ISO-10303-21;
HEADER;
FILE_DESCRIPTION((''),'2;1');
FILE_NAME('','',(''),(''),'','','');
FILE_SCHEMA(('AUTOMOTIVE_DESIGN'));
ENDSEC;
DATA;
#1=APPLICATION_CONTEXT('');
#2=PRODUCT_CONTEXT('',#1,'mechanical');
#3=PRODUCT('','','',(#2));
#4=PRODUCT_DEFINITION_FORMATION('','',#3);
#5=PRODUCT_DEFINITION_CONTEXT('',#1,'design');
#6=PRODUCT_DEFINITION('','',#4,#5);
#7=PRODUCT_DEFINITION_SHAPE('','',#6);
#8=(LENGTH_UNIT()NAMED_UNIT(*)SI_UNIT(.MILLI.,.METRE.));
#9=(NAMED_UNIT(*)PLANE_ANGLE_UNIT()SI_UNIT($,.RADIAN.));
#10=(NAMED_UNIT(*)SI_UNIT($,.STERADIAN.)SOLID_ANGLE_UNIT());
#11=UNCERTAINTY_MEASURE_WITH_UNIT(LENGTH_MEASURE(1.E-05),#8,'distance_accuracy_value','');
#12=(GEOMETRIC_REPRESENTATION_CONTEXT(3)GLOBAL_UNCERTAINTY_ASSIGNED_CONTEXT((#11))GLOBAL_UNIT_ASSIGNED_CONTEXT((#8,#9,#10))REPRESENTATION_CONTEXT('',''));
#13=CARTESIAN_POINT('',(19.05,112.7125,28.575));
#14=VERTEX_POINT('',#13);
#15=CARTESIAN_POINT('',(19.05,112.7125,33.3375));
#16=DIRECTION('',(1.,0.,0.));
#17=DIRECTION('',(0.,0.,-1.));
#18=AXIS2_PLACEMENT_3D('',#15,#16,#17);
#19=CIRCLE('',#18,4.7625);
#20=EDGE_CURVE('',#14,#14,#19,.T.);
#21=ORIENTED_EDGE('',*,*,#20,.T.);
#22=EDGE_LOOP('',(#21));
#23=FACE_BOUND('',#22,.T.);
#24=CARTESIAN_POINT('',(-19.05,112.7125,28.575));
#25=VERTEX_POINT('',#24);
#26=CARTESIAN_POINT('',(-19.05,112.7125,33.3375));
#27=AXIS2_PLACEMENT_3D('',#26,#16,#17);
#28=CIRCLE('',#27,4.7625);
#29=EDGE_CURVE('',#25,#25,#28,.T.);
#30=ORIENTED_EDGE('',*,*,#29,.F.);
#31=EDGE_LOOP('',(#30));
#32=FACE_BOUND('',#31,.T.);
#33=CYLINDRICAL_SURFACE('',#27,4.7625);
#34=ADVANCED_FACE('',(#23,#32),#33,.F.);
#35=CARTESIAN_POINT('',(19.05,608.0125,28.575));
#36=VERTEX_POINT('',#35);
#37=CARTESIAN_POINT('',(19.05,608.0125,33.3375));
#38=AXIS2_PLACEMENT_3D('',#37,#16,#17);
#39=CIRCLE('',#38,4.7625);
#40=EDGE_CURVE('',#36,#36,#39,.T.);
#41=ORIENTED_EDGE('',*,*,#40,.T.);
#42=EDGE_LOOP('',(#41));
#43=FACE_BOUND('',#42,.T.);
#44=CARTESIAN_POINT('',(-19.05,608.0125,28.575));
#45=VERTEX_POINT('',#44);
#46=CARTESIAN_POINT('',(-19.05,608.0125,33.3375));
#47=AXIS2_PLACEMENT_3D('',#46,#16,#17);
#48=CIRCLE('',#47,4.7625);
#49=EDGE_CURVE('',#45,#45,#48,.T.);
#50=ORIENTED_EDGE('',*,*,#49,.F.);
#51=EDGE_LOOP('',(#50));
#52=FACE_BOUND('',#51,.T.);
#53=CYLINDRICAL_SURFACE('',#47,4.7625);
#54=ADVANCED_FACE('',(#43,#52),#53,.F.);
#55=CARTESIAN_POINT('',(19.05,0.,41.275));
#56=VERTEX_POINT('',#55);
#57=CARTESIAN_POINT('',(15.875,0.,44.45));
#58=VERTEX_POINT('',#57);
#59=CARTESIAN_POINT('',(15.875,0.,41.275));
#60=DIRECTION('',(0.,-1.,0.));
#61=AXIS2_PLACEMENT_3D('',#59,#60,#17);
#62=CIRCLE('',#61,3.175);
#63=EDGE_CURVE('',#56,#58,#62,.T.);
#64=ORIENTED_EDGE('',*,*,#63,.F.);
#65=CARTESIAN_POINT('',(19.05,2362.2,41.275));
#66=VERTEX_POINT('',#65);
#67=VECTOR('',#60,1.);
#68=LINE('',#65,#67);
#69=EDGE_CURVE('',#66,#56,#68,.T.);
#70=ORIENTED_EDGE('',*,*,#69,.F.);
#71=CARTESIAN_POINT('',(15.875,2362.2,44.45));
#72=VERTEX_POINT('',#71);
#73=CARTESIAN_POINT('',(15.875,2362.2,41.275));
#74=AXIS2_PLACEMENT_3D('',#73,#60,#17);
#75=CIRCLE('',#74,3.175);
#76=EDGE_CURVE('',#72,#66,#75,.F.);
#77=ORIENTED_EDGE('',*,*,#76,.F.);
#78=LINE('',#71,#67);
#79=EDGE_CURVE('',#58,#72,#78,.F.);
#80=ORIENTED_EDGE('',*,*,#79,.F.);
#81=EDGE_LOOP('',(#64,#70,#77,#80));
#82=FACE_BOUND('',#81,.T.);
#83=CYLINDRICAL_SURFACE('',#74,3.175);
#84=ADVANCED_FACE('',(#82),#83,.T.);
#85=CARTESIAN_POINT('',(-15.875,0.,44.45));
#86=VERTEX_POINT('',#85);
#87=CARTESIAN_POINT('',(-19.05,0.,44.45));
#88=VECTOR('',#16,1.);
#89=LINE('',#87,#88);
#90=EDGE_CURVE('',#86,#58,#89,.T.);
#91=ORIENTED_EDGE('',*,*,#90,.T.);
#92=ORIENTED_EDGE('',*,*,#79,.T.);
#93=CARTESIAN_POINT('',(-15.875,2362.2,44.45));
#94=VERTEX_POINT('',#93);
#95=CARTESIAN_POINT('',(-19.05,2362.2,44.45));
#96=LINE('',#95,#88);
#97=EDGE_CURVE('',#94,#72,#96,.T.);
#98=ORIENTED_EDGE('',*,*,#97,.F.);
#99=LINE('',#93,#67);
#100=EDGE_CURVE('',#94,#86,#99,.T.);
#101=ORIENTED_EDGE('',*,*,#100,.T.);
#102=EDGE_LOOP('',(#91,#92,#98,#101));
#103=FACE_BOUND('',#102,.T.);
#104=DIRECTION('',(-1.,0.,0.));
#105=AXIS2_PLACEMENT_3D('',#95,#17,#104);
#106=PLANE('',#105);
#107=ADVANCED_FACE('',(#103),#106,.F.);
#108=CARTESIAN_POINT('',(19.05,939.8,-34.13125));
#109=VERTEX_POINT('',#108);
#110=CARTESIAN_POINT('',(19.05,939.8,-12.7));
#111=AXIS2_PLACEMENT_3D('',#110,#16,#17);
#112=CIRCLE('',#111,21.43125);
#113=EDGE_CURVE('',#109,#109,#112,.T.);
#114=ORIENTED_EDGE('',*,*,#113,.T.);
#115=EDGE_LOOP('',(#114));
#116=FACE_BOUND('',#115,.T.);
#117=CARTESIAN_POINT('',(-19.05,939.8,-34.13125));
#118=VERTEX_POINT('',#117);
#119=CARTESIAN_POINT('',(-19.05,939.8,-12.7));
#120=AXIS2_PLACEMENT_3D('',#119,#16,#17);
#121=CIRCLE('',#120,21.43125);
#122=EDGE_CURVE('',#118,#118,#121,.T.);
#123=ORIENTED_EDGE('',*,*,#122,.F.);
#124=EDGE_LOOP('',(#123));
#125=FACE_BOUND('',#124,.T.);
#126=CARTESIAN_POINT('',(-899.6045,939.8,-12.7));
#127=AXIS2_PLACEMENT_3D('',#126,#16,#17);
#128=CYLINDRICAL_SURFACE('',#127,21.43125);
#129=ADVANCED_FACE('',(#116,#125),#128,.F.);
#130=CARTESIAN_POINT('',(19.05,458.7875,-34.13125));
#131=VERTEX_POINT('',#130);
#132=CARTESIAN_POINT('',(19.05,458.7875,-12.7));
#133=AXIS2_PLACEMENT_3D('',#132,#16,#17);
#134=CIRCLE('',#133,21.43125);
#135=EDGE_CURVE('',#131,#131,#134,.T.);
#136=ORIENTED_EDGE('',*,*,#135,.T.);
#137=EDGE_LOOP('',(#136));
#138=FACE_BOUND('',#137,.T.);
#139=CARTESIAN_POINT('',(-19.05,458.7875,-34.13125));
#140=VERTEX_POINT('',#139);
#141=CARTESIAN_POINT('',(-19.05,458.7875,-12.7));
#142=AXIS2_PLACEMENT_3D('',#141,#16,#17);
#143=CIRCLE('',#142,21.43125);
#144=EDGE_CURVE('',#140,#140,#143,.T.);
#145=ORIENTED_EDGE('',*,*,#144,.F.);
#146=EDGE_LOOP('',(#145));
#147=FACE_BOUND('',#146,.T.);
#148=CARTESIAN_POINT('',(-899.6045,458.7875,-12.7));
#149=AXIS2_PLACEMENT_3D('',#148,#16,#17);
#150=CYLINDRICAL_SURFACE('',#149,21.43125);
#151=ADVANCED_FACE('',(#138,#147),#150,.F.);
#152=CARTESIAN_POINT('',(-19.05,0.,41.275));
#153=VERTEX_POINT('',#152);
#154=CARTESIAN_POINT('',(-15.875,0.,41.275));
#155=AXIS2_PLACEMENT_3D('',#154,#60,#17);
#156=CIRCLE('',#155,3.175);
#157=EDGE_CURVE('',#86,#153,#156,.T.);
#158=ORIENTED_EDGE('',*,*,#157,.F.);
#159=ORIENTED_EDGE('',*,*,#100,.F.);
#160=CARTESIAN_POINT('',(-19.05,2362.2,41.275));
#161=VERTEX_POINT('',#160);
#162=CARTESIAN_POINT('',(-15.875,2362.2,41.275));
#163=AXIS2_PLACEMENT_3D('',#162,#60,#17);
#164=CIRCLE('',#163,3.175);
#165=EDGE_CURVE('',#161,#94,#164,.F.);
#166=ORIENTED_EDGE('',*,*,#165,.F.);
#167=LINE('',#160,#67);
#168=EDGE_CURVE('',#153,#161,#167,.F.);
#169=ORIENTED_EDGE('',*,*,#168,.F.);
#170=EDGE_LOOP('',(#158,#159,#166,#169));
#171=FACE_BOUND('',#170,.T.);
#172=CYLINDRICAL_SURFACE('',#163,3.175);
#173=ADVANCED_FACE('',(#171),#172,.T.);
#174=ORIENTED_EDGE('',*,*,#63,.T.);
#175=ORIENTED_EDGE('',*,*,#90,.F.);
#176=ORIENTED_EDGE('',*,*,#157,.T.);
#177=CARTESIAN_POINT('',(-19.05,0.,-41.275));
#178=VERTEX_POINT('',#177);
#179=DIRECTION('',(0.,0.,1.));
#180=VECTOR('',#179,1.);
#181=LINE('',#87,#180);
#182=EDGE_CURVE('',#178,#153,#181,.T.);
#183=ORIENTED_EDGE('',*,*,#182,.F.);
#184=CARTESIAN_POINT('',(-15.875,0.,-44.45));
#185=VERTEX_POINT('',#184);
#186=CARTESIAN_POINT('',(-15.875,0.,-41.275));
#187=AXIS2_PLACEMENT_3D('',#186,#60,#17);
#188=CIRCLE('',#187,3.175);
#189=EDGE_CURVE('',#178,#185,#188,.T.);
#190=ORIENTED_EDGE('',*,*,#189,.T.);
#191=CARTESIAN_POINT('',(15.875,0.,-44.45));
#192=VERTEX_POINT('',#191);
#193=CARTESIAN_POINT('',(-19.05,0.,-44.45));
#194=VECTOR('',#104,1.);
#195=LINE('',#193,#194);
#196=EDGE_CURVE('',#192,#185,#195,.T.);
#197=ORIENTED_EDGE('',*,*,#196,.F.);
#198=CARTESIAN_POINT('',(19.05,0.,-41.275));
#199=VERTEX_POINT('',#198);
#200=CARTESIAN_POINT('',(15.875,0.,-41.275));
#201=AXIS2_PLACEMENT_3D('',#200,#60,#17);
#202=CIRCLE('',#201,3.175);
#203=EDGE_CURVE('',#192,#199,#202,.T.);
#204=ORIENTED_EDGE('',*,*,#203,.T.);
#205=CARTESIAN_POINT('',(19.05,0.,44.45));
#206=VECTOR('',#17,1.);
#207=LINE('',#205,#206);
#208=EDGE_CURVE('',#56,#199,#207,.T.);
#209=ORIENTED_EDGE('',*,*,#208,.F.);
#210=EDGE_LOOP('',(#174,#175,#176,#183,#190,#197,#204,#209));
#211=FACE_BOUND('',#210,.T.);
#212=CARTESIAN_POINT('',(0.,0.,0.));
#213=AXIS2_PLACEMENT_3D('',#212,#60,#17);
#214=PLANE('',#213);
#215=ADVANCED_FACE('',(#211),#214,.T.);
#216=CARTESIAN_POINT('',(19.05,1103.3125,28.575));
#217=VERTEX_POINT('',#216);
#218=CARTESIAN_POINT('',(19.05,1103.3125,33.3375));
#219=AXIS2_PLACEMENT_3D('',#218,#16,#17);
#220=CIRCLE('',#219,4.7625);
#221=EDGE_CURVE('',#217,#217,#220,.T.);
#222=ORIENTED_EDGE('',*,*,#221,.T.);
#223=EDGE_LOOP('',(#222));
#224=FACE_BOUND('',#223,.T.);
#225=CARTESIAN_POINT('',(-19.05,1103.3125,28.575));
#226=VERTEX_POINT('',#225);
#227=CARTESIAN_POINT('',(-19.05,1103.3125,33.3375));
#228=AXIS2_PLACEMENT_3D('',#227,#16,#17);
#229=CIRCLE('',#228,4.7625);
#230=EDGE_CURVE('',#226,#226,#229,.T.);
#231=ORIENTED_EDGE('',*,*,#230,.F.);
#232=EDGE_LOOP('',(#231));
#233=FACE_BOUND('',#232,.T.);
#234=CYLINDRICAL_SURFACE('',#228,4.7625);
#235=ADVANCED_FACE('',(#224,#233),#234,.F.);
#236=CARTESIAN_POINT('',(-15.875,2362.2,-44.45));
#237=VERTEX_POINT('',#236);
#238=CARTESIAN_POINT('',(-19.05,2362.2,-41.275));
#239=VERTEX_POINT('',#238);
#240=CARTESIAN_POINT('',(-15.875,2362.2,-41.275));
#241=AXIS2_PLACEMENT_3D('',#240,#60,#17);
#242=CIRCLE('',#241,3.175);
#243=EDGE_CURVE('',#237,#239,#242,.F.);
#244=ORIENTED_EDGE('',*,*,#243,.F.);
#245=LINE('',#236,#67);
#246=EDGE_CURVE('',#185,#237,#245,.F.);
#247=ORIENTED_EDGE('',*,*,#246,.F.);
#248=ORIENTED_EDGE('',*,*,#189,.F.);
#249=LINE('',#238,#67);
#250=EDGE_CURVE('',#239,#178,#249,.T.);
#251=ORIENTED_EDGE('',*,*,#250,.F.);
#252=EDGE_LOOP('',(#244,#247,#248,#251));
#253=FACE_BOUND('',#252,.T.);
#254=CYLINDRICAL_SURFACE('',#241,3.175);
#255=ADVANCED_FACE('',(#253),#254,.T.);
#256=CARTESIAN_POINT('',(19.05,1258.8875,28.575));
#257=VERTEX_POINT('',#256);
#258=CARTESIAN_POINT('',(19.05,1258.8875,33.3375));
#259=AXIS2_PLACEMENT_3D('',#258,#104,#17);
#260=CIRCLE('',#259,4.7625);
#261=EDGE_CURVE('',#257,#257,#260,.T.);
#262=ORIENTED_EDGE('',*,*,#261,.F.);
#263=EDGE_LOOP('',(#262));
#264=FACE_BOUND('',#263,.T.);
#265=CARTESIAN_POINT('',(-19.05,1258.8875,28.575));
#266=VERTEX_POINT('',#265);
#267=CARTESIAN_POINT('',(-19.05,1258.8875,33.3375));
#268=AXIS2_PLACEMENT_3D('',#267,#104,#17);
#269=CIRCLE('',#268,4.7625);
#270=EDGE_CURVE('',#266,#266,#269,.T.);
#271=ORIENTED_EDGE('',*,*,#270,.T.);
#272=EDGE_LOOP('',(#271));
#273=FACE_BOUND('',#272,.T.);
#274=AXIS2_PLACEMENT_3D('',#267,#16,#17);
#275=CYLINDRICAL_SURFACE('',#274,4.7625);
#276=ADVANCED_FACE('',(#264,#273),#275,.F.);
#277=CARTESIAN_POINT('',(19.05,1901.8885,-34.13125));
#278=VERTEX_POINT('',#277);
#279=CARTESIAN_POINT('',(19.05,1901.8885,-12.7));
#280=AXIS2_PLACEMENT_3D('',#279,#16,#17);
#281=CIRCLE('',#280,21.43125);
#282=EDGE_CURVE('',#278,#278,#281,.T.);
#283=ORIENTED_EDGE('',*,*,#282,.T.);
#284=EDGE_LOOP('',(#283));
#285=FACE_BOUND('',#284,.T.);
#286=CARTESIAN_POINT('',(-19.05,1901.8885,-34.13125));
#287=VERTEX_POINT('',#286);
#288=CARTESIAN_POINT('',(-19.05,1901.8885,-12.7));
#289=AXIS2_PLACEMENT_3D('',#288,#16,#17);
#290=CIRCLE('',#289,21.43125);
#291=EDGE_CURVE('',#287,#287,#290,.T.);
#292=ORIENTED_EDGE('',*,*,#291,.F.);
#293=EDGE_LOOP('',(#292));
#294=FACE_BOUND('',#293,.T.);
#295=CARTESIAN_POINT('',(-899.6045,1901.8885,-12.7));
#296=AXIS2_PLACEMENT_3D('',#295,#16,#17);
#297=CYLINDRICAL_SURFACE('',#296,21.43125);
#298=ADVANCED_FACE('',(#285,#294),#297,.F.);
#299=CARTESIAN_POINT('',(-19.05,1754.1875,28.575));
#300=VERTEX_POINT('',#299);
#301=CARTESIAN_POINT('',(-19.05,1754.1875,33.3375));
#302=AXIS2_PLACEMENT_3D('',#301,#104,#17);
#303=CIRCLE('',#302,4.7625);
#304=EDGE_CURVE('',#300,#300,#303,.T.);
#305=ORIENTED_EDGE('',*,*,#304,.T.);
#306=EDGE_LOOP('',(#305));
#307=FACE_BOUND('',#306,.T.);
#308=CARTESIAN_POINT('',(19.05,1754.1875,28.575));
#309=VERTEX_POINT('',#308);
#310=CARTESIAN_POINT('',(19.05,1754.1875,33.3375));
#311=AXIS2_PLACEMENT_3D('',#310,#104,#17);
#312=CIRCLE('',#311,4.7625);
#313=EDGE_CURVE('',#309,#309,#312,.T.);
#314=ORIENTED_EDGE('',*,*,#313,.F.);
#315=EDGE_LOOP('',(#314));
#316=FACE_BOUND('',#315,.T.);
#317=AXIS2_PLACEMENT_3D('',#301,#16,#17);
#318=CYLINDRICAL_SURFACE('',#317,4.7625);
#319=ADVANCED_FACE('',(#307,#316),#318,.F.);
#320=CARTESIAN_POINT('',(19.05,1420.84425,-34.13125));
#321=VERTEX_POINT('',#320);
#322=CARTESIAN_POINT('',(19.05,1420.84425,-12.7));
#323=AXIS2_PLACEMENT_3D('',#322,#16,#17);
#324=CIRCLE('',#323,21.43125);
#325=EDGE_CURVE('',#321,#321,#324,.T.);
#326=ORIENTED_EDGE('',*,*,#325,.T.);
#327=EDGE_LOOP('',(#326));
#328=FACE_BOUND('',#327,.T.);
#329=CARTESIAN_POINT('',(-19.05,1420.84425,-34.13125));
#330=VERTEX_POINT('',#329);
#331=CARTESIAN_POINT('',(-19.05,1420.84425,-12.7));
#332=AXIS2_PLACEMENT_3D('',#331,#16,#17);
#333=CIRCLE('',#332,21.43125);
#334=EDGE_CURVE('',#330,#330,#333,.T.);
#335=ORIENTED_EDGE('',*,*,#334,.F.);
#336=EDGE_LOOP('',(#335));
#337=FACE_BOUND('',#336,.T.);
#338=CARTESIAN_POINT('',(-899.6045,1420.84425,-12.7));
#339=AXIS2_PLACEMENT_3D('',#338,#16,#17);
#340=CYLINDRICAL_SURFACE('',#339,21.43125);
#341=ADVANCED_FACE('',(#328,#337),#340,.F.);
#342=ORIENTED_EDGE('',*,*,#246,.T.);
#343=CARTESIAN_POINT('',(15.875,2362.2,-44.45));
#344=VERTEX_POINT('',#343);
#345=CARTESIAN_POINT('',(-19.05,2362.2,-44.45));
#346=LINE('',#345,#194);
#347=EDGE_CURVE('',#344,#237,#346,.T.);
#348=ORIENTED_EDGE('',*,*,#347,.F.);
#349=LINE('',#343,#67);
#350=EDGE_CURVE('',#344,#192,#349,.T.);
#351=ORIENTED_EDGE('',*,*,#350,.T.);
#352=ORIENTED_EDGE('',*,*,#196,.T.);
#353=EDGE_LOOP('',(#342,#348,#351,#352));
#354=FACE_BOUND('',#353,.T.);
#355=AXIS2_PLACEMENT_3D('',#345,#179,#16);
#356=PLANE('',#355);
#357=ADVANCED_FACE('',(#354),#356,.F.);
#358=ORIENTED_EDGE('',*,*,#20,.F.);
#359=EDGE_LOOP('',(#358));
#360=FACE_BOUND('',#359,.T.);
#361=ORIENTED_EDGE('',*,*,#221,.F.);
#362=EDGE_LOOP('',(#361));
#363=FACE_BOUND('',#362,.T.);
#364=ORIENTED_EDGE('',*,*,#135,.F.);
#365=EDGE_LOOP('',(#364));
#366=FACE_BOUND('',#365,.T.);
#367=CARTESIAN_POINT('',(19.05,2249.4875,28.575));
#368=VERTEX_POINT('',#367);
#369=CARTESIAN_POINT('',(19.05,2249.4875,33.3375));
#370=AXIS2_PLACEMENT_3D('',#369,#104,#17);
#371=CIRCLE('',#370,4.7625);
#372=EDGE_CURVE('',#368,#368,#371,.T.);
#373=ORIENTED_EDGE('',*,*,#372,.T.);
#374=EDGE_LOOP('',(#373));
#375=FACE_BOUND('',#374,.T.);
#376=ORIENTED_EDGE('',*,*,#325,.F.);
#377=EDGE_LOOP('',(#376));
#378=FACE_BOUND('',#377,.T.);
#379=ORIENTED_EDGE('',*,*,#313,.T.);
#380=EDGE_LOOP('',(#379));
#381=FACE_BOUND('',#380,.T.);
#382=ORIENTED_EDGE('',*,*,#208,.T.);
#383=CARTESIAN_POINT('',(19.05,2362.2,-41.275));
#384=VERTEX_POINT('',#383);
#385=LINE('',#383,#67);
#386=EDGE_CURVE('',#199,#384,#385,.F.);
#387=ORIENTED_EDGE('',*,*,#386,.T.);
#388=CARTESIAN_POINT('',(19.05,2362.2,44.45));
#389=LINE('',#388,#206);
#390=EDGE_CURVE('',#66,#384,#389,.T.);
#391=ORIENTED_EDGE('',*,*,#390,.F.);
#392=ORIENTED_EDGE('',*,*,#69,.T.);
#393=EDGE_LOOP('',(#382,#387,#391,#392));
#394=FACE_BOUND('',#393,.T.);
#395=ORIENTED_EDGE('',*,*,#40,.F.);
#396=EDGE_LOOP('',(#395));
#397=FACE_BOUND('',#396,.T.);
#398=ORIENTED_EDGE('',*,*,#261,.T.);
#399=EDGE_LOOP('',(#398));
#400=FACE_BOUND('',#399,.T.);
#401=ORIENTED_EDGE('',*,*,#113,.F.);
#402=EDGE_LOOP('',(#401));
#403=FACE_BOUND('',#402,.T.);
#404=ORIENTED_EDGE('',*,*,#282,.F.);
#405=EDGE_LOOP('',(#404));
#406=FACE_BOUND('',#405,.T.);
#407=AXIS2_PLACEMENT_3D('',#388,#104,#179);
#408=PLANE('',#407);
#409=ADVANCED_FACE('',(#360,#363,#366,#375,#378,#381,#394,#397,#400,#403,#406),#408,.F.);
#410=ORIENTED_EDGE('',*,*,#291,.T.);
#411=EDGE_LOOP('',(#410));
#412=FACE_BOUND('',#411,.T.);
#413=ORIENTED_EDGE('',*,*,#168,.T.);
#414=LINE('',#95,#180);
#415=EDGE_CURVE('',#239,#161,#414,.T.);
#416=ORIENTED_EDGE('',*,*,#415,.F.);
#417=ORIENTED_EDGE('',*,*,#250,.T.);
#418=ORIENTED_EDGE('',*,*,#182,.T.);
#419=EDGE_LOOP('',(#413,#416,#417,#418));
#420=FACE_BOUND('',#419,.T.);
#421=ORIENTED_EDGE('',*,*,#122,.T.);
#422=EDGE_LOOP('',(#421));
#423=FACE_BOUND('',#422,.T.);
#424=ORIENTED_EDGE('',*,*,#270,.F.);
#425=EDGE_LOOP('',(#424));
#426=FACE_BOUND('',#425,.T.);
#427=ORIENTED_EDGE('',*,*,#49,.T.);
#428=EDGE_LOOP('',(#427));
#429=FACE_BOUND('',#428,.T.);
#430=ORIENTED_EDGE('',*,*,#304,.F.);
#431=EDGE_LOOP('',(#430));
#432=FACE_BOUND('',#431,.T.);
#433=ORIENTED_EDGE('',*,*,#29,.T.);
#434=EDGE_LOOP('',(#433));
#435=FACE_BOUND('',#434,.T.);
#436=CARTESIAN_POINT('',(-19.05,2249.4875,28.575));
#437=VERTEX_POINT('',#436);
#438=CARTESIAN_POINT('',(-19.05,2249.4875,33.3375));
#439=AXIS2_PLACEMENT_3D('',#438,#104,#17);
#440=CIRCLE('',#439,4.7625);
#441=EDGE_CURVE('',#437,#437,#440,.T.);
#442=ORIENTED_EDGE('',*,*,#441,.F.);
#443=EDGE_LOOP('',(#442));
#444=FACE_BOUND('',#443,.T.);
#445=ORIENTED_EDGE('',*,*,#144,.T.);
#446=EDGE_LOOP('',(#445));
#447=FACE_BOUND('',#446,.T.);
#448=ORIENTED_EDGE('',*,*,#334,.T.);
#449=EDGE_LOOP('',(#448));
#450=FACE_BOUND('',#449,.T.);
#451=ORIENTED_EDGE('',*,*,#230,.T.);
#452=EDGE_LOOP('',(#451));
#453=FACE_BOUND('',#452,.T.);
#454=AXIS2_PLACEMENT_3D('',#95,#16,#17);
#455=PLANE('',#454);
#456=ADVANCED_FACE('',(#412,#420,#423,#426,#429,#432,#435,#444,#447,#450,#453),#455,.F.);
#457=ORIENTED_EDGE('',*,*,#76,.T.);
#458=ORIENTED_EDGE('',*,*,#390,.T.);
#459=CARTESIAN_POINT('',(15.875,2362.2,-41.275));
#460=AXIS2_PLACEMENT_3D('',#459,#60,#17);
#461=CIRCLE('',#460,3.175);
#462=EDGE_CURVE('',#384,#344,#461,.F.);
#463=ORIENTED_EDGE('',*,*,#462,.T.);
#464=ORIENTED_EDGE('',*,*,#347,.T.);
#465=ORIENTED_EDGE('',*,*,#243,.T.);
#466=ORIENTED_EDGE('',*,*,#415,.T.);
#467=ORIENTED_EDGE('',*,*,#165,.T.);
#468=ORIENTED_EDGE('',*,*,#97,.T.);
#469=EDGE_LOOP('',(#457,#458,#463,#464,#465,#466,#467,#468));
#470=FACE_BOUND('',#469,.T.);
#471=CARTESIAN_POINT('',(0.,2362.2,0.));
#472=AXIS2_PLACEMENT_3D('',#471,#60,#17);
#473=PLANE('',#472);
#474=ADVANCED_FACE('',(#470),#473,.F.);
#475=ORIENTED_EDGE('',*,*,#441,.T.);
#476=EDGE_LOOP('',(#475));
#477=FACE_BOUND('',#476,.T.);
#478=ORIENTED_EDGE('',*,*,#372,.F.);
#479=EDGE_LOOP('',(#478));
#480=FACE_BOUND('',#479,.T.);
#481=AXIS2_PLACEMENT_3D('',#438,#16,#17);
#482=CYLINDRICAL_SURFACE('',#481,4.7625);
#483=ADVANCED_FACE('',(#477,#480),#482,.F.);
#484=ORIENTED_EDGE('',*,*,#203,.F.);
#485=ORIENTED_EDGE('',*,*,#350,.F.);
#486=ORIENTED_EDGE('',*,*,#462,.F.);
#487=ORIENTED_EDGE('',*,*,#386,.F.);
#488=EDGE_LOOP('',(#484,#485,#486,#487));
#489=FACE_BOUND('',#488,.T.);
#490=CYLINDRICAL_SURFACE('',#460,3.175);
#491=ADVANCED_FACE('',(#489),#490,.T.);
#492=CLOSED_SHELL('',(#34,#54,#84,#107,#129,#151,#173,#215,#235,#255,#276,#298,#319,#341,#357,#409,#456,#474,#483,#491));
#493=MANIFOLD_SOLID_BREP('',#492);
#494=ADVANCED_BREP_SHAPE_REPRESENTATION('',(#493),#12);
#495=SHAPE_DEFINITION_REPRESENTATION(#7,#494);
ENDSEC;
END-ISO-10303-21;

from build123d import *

# Parameters (mm, degrees)
SKETCH1_W           = 38.1
SKETCH1_H           = 88.9
BOSS_EXTRUDE1_DEPTH = 2362.2
SKETCH2_R           = 21.43125
CUT_EXTRUDE4_DEPTH  = 918.6545
SKETCH3_R           = 4.7625
CUT_EXTRUDE5_DEPTH  = 2363.925359062
FILLET1_R           = 3.175


with BuildPart() as part:
    # Sketch1 → Boss-Extrude1 (new body)
    with BuildSketch(Plane(origin=(0, 0, 0), x_dir=(1, 0, 0), z_dir=(0, 1, 0))):
        Rectangle(SKETCH1_W, SKETCH1_H)
    extrude(amount=BOSS_EXTRUDE1_DEPTH)

    # Sketch2 → Cut-Extrude4 (cut)
    with BuildSketch(Plane(origin=(19.05, 0, 0), x_dir=(0, 0, -1), z_dir=(1, 0, 0))):
        with Locations((12.7, 458.7875)):
            Circle(SKETCH2_R)
        with Locations((12.7, 939.8)):
            Circle(SKETCH2_R)
        with Locations((12.7, 1420.84425)):
            Circle(SKETCH2_R)
        with Locations((12.7, 1901.8885)):
            Circle(SKETCH2_R)
    extrude(amount=-CUT_EXTRUDE4_DEPTH, mode=Mode.SUBTRACT)

    # Sketch3 → Cut-Extrude5 (cut, through all)
    with BuildSketch(Plane(origin=(19.05, 0, 0), x_dir=(0, 0, -1), z_dir=(1, 0, 0))):
        with Locations((-33.3375, 112.7125)):
            Circle(SKETCH3_R)
        with Locations((-33.3375, 608.0125)):
            Circle(SKETCH3_R)
        with Locations((-33.3375, 1103.3125)):
            Circle(SKETCH3_R)
    cut_extrude5 = extrude(amount=-CUT_EXTRUDE5_DEPTH, mode=Mode.SUBTRACT)

    # Fillet1
    fillet1_edges = [part.edges().sort_by_distance(p)[0] for p in [
        (19.05, 1181.1, 44.45),
        (-19.05, 1181.1, 44.45),
        (-19.05, 1181.1, -44.45),
        (19.05, 1181.1, -44.45),
    ]]
    fillet(fillet1_edges, radius=FILLET1_R)

    # Mirror1: Cut-Extrude5 across plane
    add(cut_extrude5.mirror(Plane.ZX.offset(1181.1)), mode=Mode.SUBTRACT)


solid = part.part
